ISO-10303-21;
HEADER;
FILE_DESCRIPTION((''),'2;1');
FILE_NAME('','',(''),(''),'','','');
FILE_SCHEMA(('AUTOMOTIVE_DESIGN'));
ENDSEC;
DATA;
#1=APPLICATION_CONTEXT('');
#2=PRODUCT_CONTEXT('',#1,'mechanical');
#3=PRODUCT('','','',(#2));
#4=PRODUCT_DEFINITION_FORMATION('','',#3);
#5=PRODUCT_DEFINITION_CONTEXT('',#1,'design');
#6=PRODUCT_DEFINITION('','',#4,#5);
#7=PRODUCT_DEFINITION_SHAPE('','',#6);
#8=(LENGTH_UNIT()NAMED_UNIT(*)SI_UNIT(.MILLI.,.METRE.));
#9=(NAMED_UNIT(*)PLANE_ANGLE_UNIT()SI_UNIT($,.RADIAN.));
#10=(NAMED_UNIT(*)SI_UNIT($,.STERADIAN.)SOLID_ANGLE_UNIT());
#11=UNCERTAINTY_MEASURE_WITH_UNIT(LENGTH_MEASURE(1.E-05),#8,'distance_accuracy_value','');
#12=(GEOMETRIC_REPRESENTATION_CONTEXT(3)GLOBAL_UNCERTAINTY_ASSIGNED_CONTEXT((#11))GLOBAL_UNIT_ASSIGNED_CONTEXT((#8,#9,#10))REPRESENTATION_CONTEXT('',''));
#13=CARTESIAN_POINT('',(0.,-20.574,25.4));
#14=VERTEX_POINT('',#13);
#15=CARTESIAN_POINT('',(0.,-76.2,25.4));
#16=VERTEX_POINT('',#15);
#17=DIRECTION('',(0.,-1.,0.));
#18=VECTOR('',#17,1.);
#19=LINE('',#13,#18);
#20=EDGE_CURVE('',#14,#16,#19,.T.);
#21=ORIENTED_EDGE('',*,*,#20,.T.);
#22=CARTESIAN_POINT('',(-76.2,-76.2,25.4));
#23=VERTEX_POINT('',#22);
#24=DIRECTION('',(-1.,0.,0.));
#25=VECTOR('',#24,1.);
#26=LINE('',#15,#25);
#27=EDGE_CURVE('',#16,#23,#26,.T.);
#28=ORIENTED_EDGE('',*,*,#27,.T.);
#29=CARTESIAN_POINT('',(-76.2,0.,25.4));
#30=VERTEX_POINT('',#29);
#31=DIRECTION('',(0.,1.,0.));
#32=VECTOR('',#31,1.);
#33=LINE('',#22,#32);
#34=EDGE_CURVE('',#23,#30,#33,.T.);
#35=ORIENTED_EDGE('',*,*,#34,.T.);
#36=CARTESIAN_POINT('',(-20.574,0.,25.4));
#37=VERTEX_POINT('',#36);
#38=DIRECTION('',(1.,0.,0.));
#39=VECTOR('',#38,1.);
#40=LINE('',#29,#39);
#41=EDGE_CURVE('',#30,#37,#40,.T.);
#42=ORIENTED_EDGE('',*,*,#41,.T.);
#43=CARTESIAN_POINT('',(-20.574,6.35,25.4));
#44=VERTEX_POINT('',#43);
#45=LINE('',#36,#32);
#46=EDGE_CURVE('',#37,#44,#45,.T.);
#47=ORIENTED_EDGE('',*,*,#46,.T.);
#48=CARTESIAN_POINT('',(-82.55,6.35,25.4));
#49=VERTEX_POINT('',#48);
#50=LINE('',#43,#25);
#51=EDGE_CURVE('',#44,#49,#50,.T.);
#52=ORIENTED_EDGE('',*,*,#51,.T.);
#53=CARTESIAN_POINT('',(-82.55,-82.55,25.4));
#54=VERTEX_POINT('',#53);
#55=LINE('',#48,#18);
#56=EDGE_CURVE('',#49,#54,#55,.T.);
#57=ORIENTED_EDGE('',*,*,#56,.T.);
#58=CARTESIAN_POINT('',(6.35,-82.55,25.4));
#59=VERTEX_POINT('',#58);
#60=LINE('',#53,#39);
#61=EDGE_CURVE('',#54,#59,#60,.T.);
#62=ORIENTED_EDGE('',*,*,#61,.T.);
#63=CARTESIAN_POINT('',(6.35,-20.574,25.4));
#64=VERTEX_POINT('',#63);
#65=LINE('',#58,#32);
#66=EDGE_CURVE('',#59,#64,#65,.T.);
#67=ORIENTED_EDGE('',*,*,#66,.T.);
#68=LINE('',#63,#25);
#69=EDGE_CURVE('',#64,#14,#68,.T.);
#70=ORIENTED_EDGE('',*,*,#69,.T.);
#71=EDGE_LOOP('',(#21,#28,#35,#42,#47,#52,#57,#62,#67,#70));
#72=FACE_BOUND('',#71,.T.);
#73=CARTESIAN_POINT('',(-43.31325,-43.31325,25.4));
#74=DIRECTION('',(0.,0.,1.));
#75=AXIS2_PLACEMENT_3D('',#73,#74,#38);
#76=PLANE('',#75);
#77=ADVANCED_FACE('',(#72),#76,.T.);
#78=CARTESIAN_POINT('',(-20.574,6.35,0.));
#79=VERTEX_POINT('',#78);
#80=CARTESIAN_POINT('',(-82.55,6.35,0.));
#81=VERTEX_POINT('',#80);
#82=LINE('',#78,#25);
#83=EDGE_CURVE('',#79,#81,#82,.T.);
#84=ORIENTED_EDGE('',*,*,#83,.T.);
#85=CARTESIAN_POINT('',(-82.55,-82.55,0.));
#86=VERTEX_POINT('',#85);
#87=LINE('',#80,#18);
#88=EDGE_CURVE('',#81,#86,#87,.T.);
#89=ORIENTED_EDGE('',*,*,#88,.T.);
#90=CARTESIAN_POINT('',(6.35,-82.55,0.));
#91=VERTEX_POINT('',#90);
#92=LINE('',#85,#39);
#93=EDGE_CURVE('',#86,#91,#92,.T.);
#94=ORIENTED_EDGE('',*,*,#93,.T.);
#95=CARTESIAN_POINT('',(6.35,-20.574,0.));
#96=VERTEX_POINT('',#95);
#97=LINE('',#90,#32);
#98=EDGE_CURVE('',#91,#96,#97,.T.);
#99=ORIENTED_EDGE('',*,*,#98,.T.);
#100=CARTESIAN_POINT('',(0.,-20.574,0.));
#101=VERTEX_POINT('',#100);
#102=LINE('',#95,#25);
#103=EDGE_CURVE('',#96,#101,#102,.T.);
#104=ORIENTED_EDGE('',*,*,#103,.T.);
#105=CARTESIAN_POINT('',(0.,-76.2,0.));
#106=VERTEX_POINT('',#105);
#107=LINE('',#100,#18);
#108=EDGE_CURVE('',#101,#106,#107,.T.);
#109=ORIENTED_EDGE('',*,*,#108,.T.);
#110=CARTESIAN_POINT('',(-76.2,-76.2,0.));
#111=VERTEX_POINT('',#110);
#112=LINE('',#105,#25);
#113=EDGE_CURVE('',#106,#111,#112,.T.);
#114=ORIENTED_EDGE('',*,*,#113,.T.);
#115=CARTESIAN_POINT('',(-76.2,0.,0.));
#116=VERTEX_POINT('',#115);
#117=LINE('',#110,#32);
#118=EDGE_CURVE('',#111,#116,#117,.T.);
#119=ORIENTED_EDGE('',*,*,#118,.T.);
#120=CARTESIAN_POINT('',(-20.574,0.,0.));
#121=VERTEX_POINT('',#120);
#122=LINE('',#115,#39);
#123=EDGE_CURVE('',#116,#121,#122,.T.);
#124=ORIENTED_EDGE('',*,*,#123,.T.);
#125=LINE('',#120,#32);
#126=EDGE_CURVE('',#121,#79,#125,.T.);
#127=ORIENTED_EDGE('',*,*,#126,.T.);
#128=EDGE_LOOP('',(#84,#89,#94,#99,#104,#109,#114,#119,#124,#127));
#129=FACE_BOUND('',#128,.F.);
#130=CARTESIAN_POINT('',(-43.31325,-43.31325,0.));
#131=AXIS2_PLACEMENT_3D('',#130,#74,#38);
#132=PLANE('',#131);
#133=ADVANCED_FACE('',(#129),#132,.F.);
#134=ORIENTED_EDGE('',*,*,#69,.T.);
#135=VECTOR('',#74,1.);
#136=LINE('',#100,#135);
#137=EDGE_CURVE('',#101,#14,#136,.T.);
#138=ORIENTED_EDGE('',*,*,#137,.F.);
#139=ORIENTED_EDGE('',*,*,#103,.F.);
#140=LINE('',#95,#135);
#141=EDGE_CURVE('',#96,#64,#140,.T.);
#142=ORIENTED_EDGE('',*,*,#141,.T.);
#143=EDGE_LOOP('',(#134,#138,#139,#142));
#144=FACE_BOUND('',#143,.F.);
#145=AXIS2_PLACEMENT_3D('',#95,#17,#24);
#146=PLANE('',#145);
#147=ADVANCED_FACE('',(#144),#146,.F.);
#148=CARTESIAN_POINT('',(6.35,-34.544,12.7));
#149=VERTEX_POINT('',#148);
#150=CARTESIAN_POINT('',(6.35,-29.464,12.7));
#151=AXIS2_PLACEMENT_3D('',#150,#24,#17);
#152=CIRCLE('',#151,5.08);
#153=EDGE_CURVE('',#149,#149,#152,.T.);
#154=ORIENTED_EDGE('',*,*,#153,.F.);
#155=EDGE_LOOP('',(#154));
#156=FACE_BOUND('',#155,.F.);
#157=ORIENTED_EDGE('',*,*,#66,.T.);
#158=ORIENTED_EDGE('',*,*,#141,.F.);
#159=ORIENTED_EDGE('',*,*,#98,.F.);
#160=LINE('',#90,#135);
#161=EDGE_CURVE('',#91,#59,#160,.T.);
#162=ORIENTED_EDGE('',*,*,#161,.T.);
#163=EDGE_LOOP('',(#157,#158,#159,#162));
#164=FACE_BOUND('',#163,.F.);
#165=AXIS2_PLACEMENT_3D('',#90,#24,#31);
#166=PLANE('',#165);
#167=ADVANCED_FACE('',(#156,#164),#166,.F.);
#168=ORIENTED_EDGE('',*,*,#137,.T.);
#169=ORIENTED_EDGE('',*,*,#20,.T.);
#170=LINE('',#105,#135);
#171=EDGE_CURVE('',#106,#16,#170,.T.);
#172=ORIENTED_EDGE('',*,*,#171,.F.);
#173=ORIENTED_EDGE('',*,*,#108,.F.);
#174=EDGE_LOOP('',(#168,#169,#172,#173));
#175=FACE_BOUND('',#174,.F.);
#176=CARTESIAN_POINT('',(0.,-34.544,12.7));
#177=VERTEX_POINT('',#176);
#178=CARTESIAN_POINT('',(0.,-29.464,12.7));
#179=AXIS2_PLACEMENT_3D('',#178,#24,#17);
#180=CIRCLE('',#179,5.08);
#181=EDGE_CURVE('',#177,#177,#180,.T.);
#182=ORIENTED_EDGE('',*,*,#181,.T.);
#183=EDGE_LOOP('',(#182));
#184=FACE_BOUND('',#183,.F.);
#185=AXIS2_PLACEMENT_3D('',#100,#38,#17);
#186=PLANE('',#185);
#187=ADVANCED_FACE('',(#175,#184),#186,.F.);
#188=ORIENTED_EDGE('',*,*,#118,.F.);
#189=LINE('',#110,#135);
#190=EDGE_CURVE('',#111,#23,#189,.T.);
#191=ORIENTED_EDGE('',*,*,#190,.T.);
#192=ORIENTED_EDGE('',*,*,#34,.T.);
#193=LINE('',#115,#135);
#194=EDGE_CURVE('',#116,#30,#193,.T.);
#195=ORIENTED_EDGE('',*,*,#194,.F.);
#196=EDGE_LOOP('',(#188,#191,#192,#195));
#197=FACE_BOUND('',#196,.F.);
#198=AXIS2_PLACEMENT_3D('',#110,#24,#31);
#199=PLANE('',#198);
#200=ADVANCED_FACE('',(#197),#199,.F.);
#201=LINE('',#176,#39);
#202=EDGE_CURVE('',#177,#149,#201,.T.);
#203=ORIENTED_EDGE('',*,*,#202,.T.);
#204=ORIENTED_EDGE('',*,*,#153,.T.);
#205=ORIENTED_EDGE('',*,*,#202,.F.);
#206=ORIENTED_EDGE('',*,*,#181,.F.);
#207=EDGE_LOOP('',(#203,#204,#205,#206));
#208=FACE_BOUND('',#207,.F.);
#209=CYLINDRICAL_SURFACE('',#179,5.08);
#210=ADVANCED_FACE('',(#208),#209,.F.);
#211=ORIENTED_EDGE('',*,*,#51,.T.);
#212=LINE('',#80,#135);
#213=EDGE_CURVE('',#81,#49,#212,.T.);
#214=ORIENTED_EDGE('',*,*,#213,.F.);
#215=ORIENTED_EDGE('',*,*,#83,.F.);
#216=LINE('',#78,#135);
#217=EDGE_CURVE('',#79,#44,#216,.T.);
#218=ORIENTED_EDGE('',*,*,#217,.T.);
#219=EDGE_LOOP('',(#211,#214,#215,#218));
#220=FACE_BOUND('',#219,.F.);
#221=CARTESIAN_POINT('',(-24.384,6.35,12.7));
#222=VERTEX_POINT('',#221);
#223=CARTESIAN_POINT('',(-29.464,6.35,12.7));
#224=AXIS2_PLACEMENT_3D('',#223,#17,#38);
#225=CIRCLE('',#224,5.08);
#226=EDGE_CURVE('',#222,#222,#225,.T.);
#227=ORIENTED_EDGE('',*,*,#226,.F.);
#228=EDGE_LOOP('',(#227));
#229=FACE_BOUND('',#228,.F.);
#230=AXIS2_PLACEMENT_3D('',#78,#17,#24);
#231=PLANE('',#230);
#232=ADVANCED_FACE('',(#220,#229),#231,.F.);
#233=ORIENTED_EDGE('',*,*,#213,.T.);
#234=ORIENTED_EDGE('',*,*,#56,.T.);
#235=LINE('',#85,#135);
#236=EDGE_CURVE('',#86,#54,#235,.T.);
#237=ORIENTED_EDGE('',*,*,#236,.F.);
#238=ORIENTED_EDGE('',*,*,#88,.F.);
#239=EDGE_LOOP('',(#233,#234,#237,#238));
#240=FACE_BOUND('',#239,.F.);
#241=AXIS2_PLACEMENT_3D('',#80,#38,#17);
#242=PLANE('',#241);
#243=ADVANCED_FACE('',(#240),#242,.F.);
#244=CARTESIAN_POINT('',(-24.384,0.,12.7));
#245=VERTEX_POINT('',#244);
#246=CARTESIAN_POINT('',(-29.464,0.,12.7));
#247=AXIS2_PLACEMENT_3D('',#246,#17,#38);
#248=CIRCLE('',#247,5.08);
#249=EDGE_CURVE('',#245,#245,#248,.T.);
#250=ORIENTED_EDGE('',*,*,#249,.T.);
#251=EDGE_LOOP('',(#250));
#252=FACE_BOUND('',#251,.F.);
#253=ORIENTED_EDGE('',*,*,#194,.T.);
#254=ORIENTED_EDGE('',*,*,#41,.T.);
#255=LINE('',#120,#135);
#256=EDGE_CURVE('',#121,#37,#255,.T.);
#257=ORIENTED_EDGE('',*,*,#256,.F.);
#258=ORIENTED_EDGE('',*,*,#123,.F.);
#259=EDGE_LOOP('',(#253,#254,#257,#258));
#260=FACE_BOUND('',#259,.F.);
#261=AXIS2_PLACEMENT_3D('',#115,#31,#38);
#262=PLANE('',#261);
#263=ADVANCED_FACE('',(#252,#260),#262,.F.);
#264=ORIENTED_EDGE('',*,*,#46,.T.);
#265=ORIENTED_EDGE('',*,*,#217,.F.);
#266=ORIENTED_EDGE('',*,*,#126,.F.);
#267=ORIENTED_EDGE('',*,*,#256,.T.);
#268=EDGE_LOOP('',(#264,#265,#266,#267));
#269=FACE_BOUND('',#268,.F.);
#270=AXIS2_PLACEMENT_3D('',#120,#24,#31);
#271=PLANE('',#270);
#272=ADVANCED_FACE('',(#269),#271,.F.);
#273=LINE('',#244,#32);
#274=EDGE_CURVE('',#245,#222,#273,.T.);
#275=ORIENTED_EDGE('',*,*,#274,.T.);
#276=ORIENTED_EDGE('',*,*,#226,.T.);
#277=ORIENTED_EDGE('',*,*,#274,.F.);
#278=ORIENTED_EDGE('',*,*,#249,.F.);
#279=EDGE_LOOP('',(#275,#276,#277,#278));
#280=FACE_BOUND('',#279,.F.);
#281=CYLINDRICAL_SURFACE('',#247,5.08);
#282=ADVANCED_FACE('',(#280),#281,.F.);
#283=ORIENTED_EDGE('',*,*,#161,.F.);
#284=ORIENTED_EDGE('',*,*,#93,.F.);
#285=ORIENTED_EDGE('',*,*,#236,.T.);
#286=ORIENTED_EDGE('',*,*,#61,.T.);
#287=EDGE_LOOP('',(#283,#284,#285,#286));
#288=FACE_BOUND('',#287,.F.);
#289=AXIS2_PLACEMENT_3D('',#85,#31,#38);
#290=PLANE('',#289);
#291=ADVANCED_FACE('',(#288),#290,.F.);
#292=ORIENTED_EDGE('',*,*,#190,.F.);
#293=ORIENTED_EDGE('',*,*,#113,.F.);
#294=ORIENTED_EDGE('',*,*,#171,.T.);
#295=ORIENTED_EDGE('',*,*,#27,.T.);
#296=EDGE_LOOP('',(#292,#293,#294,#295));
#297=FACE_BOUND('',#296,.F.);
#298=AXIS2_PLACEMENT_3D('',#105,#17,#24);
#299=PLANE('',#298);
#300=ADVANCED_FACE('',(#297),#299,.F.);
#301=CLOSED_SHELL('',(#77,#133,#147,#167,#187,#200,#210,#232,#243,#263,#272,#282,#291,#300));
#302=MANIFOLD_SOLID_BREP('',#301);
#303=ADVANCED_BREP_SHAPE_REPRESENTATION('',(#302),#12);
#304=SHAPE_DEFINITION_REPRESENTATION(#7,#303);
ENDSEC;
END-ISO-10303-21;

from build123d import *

# Parameters (mm, degrees)
F1_DEPTH = 25.4
F2_R     = 5.08
F3_DEPTH = 12.7
F4_R     = 5.08
F5_DEPTH = 6.351


with BuildPart() as f1:
    # F0 (on Top) → F1 (new body)
    with BuildSketch(Plane.XY):
        Polygon((-20.574, 6.35), (-82.55, 6.35), (-82.55, -82.55), (6.35, -82.55), (6.35, -20.574), (0, -20.574), (0, -76.2), (-76.2, -76.2), (-76.2, 0), (-20.574, 0), align=None)
    extrude(amount=F1_DEPTH)

    # F2 (on face) → F3 (cut)
    with BuildSketch(Plane.XZ):
        with Locations((-29.464, 12.7)):
            Circle(F2_R)
    extrude(amount=-F3_DEPTH, mode=Mode.SUBTRACT)

    # F4 (on face) → F5 (cut, through all)
    with BuildSketch(Plane(origin=(0, 0, 0), x_dir=(0, -1, 0), z_dir=(-1, 0, 0))):
        with Locations((29.464, 12.7)):
            Circle(F4_R)
    extrude(amount=-F5_DEPTH, mode=Mode.SUBTRACT)


solid = f1.part
